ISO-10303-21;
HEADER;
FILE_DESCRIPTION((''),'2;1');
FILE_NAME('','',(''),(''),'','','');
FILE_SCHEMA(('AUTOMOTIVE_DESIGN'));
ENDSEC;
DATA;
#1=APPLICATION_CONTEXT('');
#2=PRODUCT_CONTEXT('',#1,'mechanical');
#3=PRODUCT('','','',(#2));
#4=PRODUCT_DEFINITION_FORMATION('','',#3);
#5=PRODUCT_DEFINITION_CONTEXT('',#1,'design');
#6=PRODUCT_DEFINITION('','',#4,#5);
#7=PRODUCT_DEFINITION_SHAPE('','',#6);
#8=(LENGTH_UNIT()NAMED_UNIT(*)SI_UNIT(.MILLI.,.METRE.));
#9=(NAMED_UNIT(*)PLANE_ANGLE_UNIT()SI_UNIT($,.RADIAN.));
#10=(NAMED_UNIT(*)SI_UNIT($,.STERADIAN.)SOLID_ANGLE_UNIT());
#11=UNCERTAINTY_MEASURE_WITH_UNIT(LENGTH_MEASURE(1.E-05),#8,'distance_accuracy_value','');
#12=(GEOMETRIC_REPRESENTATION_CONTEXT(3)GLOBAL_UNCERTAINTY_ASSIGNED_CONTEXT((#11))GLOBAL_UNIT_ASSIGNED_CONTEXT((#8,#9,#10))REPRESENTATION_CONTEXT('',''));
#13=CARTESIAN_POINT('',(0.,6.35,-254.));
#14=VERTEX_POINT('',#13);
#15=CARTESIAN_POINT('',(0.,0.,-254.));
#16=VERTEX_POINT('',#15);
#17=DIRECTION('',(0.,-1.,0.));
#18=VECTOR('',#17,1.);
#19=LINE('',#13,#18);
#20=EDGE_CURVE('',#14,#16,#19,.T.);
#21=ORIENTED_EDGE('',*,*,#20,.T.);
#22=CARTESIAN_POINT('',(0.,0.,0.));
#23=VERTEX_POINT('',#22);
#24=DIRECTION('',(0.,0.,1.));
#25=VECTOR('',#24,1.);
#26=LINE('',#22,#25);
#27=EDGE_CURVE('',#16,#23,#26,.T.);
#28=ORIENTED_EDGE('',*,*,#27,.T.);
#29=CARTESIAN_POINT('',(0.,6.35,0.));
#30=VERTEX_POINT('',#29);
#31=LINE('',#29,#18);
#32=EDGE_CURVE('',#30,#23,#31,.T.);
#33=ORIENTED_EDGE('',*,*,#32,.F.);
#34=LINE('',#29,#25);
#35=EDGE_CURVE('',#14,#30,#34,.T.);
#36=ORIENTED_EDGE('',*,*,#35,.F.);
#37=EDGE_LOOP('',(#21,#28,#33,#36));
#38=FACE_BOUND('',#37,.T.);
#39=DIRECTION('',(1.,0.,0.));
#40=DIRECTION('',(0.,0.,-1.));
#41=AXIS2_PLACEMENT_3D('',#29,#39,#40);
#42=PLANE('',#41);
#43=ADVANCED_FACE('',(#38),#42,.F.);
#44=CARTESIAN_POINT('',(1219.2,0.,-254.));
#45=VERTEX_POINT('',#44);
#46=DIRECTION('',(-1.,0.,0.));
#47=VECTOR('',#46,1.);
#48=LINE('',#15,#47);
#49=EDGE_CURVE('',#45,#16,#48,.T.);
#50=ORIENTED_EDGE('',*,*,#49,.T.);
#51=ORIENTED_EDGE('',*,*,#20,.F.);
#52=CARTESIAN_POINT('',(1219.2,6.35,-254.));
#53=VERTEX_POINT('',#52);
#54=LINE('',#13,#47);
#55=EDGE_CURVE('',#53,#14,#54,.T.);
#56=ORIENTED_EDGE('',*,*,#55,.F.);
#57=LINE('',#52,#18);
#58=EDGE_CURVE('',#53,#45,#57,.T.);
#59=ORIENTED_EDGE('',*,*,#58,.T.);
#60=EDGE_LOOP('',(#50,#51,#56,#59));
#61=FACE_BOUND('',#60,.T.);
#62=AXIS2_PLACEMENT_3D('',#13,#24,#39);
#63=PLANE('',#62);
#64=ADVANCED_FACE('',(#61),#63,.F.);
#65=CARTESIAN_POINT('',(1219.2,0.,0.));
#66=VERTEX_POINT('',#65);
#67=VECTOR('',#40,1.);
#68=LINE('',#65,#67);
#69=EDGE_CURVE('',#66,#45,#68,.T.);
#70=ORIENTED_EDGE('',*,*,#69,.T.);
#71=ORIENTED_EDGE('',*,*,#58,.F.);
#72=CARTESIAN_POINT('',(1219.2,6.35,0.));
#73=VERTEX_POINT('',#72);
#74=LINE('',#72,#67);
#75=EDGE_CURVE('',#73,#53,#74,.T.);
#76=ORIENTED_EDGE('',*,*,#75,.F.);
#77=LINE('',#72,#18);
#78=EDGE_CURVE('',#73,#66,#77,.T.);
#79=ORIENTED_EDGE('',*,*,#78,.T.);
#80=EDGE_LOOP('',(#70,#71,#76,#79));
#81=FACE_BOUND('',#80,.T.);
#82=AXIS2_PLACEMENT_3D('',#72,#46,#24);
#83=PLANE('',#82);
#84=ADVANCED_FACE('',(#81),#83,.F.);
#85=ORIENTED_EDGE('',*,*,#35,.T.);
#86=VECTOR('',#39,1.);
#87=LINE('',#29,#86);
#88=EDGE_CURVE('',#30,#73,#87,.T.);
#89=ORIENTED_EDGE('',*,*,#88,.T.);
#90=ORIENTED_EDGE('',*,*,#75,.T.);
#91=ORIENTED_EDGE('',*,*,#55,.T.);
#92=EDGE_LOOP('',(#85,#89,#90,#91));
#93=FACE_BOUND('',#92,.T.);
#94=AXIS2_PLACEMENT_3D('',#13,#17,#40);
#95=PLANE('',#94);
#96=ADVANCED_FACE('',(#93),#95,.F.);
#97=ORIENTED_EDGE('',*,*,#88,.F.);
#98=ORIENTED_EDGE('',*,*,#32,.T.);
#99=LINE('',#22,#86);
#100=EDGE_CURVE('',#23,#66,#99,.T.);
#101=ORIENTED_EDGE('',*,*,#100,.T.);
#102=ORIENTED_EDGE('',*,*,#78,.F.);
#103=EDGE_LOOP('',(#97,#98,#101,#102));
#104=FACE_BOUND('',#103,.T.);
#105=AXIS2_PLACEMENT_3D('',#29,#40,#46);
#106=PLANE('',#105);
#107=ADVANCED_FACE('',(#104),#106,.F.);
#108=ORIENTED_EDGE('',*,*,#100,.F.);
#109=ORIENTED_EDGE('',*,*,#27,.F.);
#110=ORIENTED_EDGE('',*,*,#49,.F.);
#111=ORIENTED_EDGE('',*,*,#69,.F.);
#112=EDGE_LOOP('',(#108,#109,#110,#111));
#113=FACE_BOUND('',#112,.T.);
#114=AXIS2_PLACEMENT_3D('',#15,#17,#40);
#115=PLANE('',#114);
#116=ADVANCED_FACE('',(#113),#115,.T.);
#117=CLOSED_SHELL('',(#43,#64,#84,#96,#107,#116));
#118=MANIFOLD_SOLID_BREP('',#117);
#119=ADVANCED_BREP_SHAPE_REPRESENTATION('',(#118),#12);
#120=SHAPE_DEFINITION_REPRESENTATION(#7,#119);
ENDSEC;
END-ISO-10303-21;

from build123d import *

# Parameters (mm, degrees)
SKETCH1_W      = 1219.2
SKETCH1_H      = 254
EXTRUDE1_DEPTH = 6.35


with BuildPart() as part:
    # Sketch1 → Extrude1 (new body)
    with BuildSketch(Plane(origin=(0, 0, 0), x_dir=(1, 0, 0), z_dir=(0, 1, 0))):
        with Locations((609.6, 127)):
            Rectangle(SKETCH1_W, SKETCH1_H)
    extrude(amount=EXTRUDE1_DEPTH)


solid = part.part
